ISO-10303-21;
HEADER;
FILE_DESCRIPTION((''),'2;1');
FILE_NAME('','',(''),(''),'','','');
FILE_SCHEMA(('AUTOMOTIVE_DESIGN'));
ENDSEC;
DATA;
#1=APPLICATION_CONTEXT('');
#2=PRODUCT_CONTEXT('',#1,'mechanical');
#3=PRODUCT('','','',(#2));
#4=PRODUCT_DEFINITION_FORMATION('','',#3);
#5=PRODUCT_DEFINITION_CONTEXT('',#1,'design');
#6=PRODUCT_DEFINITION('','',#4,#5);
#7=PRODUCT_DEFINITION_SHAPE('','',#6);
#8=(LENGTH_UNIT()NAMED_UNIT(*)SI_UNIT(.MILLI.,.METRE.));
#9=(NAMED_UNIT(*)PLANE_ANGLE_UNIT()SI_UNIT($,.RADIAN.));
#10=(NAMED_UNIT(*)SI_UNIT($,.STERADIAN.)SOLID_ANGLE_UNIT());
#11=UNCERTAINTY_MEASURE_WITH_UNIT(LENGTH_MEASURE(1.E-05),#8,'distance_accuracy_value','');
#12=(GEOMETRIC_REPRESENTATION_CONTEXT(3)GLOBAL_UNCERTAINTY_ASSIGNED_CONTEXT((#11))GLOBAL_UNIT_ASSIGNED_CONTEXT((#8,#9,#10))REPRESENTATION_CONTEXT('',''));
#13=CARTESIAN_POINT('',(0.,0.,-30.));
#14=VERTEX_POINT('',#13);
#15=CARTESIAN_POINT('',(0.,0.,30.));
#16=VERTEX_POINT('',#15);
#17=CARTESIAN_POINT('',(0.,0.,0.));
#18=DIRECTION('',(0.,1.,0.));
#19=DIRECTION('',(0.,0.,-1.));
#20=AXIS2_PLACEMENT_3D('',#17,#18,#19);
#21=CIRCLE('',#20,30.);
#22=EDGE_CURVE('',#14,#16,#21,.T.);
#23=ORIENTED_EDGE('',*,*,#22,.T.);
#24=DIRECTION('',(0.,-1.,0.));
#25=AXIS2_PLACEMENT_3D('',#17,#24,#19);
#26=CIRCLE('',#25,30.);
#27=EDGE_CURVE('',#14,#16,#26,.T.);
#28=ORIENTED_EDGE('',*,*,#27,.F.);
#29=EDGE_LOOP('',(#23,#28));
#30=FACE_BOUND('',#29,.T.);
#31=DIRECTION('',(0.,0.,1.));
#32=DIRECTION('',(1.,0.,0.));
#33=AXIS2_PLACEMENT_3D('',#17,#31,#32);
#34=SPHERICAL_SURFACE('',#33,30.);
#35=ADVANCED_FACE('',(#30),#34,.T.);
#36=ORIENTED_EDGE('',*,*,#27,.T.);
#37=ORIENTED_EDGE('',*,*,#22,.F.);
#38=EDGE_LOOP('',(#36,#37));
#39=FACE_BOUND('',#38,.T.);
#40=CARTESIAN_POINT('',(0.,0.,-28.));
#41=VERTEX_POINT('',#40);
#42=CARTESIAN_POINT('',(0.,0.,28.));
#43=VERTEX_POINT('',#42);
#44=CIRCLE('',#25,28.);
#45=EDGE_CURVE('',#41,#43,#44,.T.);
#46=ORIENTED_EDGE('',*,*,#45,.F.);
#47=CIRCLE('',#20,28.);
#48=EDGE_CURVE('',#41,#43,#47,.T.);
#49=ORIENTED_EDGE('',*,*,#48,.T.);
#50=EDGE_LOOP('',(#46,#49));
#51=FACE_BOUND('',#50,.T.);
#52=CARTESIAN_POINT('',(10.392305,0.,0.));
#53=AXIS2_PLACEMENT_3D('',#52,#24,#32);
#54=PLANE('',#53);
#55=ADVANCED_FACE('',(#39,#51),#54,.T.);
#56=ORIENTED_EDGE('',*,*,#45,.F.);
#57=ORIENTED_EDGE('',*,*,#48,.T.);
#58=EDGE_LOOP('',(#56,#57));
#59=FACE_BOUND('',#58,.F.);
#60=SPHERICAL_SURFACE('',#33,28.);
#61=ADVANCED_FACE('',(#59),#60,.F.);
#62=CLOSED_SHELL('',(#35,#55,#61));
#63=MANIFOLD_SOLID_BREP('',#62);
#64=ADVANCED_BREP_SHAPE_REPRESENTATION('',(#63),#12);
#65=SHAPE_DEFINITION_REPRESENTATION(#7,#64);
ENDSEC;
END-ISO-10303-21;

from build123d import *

# Parameters (mm, degrees)
SPHERE001_ANGLE = 180
SPHERE_ANGLE    = 180


with BuildPart() as inner:
    # Sphere001 → Sphere001 (revolve)
    with BuildSketch(Plane.XZ):
        with BuildLine():
            ThreePointArc((0, -28), (28, 0), (0, 28))
            Line((0, 28), (0, -28))
        make_face()
    revolve(axis=Axis((0, 0, 0), (0, 0, 1)), revolution_arc=SPHERE001_ANGLE)


with BuildPart() as cut:
    # Sphere → Sphere (revolve)
    with BuildSketch(Plane.XZ):
        with BuildLine():
            ThreePointArc((0, -30), (30, 0), (0, 30))
            Line((0, 30), (0, -30))
        make_face()
    revolve(axis=Axis((0, 0, 0), (0, 0, 1)), revolution_arc=SPHERE_ANGLE)

    # Cut: cut Inner
    add(inner.part, mode=Mode.SUBTRACT)


solid = cut.part
